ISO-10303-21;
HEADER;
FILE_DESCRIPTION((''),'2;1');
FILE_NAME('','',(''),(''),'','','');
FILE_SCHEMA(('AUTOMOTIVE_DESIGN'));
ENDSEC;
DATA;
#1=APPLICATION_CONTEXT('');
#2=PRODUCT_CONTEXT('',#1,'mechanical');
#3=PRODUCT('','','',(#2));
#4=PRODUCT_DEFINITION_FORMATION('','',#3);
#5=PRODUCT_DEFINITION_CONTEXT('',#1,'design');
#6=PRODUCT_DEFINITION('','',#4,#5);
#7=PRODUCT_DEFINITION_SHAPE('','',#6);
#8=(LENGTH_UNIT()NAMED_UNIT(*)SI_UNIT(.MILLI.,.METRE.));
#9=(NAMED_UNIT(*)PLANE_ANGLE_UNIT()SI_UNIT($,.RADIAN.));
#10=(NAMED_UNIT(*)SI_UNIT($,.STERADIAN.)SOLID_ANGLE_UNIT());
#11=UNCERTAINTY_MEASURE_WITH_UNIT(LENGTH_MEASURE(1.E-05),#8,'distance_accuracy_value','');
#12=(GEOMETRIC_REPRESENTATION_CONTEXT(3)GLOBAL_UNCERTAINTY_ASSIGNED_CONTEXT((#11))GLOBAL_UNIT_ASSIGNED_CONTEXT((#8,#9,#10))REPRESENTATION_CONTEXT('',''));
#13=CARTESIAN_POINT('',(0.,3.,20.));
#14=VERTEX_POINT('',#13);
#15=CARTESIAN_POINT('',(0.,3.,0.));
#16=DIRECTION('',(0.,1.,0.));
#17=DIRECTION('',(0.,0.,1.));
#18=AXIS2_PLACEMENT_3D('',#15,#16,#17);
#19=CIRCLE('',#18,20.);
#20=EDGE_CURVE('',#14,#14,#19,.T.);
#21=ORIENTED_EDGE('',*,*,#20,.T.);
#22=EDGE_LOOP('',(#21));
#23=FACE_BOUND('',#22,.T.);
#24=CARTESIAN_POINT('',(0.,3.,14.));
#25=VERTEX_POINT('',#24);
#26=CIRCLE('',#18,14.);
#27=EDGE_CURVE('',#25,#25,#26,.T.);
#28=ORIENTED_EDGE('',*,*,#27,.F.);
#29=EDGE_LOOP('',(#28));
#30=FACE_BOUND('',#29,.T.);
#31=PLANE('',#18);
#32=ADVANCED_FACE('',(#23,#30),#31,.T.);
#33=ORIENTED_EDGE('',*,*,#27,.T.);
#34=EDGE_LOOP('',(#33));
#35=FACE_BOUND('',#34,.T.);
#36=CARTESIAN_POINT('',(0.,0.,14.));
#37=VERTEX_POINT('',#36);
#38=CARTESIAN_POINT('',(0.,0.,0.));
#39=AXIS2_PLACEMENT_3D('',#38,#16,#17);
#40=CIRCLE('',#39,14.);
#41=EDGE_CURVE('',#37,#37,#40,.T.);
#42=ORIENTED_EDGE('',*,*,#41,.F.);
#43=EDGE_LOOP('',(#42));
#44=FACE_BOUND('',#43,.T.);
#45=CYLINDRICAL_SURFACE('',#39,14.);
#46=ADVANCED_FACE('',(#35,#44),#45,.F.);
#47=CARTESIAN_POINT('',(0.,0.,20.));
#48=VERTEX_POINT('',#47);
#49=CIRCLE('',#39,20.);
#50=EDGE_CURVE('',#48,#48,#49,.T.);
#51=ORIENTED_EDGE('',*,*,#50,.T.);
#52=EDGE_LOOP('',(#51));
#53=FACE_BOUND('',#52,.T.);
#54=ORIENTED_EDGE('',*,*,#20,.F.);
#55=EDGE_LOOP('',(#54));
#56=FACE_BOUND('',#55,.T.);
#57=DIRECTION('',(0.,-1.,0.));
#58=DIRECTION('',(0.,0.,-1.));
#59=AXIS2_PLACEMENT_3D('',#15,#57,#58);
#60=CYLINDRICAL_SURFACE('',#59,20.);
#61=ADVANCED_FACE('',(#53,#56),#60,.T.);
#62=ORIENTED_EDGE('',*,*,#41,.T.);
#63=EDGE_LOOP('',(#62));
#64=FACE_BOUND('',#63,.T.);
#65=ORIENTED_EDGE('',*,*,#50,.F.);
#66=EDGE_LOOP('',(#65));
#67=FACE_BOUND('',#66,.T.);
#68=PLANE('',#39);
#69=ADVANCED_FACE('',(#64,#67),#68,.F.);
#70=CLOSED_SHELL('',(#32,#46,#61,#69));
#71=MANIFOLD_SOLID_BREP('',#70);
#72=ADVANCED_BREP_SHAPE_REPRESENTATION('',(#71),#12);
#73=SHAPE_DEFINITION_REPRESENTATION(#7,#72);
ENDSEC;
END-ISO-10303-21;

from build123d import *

# Parameters (mm, degrees)
SKETCH1_R           = 20
BOSS_EXTRUDE1_DEPTH = 3
SKETCH2_R           = 14
CUT_EXTRUDE1_DEPTH  = 3


with BuildPart() as part:
    # Sketch1 → Boss-Extrude1 (new body)
    with BuildSketch(Plane(origin=(0, 0, 0), x_dir=(1, 0, 0), z_dir=(0, 1, 0))):
        with Locations(Location((0, 0, 0), (0, 0, 270))):
            Circle(SKETCH1_R)
    extrude(amount=BOSS_EXTRUDE1_DEPTH)

    # Sketch2 → Cut-Extrude1 (cut)
    with BuildSketch(Plane(origin=(0, 3, 0), x_dir=(1, 0, 0), z_dir=(0, 1, 0))):
        with Locations(Location((0, 0, 0), (0, 0, 270))):
            Circle(SKETCH2_R)
    extrude(amount=-CUT_EXTRUDE1_DEPTH, mode=Mode.SUBTRACT)


solid = part.part
